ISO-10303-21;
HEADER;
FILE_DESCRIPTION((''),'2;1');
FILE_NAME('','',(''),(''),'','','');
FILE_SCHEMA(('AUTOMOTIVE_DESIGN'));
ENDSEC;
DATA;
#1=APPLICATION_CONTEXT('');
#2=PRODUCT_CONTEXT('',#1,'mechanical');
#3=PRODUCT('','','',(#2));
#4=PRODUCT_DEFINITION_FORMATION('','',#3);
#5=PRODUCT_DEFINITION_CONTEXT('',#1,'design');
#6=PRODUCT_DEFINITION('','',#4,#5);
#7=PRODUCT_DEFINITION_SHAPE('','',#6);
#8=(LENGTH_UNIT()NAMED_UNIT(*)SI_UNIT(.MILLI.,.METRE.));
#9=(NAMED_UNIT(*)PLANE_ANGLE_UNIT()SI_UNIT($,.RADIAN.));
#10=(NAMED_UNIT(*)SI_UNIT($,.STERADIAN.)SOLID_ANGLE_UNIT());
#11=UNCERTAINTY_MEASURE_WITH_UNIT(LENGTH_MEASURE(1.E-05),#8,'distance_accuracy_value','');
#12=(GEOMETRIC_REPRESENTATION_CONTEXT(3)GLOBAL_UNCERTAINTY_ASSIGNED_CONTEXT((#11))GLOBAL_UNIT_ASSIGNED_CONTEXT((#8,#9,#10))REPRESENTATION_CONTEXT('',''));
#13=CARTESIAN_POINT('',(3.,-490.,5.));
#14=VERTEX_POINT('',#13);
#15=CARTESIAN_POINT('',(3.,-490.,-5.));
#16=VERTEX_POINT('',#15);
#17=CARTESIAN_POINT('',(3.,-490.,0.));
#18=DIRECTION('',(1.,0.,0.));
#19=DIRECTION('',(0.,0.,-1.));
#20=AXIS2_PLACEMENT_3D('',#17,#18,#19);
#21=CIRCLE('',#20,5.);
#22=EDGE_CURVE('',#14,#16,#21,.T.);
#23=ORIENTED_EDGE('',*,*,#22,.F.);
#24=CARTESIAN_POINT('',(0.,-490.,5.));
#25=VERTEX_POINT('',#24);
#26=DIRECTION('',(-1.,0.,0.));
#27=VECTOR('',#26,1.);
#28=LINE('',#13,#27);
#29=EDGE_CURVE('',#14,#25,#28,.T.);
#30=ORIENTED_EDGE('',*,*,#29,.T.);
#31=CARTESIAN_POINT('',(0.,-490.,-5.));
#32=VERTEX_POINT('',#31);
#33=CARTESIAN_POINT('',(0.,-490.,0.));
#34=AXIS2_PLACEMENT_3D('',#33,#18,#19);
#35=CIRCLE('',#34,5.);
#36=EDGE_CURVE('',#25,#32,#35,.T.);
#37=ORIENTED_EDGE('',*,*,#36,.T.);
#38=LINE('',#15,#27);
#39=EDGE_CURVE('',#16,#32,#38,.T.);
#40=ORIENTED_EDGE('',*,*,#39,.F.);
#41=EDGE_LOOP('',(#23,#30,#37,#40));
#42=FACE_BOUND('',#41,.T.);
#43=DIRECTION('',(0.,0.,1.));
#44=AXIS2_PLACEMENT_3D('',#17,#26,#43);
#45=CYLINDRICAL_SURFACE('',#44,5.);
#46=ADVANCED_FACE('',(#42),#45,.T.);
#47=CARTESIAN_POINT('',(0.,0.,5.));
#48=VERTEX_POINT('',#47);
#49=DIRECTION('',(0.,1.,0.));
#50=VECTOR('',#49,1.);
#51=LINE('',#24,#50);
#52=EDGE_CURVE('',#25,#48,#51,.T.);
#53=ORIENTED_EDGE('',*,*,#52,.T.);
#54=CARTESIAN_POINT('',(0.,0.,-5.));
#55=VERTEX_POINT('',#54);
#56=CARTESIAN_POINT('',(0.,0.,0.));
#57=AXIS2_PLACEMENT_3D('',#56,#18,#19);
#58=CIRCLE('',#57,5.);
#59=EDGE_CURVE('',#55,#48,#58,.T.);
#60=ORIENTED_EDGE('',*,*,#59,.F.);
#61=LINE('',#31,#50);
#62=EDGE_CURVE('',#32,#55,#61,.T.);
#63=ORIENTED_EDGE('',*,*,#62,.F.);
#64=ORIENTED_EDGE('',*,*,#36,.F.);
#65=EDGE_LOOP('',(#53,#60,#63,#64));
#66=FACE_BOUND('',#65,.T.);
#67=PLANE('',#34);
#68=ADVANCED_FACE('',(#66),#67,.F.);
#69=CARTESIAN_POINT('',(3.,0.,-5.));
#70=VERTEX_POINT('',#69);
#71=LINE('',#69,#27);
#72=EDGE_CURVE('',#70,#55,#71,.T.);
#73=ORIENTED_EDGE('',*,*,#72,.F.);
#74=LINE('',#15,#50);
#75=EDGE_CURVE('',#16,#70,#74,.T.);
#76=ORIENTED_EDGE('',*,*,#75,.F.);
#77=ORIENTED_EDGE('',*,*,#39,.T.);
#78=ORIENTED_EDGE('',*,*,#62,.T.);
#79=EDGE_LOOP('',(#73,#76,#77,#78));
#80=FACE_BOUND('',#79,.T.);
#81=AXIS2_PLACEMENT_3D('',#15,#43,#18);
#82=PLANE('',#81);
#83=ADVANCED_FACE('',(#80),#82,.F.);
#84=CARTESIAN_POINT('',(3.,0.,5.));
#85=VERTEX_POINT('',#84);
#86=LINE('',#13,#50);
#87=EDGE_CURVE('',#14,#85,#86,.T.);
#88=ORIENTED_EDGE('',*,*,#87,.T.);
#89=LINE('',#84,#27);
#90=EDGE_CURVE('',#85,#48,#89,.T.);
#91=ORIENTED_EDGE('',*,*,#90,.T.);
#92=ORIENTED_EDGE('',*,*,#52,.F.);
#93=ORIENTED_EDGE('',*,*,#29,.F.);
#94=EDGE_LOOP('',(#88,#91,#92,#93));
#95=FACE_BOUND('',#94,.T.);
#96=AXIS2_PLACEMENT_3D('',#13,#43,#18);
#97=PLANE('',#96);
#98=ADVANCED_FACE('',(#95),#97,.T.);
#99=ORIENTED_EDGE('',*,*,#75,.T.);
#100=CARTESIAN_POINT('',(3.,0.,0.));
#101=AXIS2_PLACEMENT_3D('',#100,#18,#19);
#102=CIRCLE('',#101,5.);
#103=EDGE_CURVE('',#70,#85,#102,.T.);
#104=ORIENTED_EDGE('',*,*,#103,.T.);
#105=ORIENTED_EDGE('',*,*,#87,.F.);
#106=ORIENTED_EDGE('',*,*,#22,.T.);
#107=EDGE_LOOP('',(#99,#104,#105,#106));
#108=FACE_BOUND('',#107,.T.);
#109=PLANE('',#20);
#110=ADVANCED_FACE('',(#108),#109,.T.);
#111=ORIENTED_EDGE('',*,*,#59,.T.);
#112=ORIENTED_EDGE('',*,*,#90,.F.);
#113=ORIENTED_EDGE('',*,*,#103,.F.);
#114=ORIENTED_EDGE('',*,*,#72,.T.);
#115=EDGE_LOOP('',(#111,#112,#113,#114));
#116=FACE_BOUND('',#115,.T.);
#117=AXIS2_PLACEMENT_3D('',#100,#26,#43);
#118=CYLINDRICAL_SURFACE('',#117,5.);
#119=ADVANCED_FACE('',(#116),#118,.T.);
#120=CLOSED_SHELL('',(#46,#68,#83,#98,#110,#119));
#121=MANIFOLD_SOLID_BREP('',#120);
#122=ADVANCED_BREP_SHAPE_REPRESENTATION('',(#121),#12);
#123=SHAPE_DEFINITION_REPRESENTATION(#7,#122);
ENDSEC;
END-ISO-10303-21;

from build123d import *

# Parameters (mm, degrees)
BOSS_EXTRUDE1_DEPTH = 3


with BuildPart() as part:
    # Sketch1 → Boss-Extrude1 (new body)
    with BuildSketch(Plane(origin=(0, 0, 0), x_dir=(0, 0, -1), z_dir=(1, 0, 0))):
        with BuildLine():
            Line((-5, -490), (-5, 0))
            ThreePointArc((-5, 0), (0, 5), (5, 0))
            Line((5, 0), (5, -490))
            ThreePointArc((5, -490), (0, -495), (-5, -490))
        make_face()
    extrude(amount=BOSS_EXTRUDE1_DEPTH)


solid = part.part
